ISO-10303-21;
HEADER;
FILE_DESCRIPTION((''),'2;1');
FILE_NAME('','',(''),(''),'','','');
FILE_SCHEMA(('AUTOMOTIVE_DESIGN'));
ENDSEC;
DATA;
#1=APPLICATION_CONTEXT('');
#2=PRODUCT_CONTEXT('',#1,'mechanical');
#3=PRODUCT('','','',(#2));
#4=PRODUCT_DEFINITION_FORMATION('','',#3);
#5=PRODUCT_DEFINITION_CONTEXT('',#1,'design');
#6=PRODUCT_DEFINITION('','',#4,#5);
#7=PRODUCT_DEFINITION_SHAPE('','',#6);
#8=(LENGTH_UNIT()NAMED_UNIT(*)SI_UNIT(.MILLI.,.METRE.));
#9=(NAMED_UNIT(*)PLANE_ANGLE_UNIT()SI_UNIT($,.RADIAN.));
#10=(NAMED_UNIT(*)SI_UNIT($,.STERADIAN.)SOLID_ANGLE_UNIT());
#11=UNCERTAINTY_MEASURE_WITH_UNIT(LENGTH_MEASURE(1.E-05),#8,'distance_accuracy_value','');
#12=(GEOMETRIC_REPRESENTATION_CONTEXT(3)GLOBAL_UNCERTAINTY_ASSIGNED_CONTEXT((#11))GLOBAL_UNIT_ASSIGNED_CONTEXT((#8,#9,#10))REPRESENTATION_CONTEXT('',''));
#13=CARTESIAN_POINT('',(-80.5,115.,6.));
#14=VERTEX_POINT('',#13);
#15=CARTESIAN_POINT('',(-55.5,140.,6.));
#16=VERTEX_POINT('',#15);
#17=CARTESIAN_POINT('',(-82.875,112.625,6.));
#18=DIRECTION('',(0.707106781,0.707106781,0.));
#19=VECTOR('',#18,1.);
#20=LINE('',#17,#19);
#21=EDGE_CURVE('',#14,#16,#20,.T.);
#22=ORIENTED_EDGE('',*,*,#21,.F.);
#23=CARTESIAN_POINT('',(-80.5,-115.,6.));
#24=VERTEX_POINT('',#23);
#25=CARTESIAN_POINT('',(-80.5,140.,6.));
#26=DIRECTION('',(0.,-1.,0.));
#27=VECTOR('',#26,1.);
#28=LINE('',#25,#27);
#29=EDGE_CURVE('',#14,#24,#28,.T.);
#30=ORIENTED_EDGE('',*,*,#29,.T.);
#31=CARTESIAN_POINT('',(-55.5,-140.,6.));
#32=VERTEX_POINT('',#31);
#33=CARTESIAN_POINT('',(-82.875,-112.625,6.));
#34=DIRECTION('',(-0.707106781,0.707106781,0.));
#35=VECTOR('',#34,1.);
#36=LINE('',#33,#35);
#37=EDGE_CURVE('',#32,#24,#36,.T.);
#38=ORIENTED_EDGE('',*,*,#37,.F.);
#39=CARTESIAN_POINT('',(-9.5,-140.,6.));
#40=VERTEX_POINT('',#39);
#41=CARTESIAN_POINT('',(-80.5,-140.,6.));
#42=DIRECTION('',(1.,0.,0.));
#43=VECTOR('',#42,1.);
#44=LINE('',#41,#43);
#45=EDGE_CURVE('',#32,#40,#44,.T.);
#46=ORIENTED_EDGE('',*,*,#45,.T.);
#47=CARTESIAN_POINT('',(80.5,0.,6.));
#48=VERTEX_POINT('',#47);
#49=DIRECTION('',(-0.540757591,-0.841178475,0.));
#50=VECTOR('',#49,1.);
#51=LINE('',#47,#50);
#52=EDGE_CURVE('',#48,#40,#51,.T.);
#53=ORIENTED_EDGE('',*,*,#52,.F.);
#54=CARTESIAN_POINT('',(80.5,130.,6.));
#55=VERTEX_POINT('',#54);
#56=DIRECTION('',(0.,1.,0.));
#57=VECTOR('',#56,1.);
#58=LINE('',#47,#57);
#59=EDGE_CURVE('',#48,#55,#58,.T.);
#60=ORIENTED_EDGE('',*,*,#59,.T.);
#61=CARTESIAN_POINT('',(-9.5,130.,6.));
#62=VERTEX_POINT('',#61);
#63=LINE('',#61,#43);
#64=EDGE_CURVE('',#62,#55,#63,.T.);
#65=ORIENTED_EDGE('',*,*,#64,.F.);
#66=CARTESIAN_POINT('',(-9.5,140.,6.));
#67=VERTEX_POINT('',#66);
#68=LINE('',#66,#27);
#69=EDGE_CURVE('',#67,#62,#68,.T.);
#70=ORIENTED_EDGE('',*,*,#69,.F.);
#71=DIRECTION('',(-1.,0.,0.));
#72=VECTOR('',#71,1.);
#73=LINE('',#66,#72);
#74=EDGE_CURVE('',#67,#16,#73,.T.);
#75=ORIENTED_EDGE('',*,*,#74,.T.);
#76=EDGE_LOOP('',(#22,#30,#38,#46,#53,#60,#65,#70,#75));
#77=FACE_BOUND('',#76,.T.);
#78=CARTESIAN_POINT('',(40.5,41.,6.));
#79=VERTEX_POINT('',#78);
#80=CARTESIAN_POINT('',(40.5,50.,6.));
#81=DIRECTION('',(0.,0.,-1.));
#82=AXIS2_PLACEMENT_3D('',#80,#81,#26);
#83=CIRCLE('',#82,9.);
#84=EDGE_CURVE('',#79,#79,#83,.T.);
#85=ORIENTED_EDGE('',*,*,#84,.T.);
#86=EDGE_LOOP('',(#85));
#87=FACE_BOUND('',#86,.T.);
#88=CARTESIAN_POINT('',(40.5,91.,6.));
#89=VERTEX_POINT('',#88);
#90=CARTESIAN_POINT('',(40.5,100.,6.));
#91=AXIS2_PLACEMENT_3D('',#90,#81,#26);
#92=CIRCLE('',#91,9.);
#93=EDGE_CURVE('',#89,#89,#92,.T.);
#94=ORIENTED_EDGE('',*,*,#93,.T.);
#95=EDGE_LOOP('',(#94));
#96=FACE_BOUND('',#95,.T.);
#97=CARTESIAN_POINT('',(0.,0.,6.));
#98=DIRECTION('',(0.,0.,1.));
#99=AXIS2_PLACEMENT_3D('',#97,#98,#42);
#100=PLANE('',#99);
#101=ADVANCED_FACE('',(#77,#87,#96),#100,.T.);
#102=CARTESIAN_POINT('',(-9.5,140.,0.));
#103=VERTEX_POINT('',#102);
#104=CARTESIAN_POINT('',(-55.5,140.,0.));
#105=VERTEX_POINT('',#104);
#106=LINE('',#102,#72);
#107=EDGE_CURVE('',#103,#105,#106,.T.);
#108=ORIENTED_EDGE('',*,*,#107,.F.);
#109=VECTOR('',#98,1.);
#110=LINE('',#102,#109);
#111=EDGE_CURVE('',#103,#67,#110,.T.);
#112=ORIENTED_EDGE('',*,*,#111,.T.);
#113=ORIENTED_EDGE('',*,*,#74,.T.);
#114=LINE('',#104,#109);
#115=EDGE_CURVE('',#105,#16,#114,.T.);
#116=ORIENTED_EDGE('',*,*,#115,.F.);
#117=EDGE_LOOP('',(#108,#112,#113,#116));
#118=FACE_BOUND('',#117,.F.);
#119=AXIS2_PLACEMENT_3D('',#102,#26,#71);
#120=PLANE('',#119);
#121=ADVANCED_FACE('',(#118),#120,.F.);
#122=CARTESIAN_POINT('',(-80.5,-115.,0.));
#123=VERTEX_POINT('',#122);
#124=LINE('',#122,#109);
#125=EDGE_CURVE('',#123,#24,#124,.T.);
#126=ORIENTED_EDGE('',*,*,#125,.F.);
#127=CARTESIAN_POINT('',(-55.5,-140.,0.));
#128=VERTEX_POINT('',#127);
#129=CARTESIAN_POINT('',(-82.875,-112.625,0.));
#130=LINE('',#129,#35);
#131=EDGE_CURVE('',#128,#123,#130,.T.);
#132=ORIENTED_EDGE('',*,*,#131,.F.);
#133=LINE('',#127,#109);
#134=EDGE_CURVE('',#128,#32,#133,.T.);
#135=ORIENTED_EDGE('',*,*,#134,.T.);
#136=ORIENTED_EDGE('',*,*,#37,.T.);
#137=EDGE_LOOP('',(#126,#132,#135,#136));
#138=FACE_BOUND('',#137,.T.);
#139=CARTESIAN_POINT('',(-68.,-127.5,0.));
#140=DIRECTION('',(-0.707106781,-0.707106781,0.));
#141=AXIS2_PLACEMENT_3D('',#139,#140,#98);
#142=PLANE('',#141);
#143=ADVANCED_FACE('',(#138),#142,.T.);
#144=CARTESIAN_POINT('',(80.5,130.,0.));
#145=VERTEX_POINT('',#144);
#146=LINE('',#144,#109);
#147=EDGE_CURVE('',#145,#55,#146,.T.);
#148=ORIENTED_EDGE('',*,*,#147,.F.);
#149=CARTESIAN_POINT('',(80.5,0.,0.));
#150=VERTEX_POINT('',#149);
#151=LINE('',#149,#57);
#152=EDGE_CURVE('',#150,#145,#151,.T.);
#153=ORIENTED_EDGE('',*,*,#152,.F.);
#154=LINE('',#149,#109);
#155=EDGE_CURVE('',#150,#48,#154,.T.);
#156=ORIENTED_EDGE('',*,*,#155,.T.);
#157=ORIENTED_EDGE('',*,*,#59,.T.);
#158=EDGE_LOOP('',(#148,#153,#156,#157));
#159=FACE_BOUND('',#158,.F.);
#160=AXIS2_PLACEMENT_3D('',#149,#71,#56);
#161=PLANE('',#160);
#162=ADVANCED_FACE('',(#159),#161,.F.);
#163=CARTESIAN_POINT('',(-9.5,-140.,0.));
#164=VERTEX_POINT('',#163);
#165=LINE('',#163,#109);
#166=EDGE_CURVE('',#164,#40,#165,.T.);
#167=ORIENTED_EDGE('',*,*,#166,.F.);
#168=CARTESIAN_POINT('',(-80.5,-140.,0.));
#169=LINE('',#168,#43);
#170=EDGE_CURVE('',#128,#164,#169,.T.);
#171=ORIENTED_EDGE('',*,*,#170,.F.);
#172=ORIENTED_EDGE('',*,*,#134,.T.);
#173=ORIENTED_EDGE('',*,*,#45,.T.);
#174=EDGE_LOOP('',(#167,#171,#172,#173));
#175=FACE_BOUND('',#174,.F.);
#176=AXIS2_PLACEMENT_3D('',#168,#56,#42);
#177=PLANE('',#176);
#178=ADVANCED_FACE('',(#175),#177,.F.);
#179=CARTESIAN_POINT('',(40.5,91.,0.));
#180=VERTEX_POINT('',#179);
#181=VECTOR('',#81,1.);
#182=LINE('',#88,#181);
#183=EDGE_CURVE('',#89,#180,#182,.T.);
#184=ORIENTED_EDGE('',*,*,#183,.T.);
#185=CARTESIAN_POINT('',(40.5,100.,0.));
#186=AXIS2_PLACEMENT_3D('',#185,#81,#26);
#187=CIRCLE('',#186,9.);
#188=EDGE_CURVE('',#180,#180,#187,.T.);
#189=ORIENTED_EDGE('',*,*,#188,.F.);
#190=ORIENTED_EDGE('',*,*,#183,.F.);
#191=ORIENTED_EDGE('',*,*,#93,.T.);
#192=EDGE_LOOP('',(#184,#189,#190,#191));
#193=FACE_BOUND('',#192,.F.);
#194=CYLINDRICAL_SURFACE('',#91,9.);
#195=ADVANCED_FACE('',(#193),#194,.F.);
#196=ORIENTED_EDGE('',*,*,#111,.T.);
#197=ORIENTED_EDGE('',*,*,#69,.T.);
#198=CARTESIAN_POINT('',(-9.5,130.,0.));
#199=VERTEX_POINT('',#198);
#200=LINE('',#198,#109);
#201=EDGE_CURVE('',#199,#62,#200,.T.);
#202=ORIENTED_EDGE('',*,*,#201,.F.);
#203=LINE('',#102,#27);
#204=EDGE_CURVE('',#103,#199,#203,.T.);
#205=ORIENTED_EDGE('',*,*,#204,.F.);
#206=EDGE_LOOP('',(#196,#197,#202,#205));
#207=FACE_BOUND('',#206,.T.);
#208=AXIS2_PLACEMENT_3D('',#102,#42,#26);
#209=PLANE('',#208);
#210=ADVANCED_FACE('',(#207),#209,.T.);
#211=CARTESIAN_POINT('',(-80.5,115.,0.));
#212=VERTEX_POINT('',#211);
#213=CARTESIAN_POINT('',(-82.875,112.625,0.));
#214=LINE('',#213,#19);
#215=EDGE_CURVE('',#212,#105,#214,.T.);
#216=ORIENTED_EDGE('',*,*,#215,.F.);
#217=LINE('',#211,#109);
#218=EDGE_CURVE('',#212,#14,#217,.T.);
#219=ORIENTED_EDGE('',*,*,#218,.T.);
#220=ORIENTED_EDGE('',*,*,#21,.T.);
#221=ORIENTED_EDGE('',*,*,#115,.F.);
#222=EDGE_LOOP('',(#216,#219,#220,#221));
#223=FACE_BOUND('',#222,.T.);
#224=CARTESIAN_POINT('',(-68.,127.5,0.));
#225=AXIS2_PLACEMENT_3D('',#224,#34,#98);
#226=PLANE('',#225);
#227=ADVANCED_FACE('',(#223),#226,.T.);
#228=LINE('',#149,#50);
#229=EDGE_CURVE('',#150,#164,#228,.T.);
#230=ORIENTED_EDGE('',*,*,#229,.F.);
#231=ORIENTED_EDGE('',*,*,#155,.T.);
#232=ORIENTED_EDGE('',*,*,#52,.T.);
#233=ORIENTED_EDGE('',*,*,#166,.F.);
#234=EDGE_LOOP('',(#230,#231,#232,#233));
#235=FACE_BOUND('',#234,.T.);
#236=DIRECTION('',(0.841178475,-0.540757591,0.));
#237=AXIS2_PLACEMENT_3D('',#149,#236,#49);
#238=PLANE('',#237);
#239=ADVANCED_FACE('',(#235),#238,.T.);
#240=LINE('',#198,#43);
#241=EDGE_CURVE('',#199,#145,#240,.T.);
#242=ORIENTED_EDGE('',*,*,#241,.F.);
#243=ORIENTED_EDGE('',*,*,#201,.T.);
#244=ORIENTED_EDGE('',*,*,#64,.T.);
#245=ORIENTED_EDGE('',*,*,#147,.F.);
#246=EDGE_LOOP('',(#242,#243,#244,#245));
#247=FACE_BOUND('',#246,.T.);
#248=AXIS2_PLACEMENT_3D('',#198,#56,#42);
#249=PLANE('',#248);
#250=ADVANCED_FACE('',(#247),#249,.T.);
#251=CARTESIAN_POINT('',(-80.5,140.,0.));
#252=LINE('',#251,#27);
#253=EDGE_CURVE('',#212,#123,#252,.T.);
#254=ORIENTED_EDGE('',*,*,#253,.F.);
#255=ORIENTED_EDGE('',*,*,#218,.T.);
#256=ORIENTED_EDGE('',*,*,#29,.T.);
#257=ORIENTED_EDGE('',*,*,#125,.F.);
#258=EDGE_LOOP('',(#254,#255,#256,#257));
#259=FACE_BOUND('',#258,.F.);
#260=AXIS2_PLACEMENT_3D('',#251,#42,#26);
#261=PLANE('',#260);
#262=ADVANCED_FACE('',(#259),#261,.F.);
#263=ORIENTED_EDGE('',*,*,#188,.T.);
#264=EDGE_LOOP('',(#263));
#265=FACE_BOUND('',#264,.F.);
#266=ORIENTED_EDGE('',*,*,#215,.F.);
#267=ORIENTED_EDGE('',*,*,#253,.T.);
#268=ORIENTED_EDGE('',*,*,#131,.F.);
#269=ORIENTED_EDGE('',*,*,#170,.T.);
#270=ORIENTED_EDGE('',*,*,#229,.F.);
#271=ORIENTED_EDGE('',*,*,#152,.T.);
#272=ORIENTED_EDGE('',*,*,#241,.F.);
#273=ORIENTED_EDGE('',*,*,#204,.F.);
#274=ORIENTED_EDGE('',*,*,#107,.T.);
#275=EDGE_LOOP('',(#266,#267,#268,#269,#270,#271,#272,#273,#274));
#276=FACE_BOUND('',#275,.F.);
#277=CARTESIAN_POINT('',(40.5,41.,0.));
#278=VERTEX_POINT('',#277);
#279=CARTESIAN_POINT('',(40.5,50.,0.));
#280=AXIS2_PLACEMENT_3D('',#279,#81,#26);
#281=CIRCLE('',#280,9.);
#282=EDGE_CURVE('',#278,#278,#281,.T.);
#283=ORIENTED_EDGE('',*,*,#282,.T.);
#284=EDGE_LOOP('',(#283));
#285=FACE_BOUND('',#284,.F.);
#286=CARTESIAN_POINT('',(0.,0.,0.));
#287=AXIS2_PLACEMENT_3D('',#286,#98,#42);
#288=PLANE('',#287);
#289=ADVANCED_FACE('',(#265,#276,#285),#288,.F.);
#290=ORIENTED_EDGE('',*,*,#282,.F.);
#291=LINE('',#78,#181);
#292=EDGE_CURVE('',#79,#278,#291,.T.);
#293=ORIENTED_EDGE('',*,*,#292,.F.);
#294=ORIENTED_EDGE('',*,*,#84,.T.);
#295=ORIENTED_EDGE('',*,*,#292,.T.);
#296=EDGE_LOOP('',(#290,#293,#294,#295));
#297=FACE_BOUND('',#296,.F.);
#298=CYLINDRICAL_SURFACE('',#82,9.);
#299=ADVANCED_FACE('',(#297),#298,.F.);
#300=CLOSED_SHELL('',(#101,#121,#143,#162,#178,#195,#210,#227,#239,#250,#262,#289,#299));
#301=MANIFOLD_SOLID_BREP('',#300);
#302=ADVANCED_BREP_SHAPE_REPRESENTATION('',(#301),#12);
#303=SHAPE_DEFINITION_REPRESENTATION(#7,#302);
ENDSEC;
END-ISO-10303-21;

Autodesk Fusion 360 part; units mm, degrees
sketch "スケッチ1" plane through (0, 0, 0) normal (0, 0, 1) x (1, 0, 0)
  line L0 (-9.5, 140) -> (-80.5, 140)
  line L1 (-80.5, 140) -> (-80.5, -140)
  line L2 (-80.5, -140) -> (-9.5, -140)
  line L3 (80.5, 0) -> (80.5, 130)
  line L4 (74.75, 130) -> (-80.5, -140) construction
  line L5 (-80.5, 140) -> (38.0073, -66.0997) construction
  line L6 (-9.5, 140) -> (-9.5, 130)
  line L7 (-9.5, 130) -> (80.5, 130)
  line L8 (-80.5, -140) -> (-9.5, -140) construction
  line L9 (80.5, 0) -> (-9.5, -140)
  dimension "d2" = 280
  dimension "d5" = 71
extrude "押し出し1" add sketch "スケッチ1" along normal blind 6
chamfer "面取り1" distance 25 angle 45 2 edges at (-80.5, -140, 3) (-80.5, 140, 3)
sketch "スケッチ2" plane through (0, 0, 6) normal (0, 0, 1) x (-1, 0, 0)
  line L0 (55.5, -140) -> (80.5, -115)
  line L1 (80.5, -115) -> (80.5, 115)
  line L2 (80.5, 115) -> (55.5, 140)
  line L3 (55.5, 140) -> (9.5, 140)
  line L4 (9.5, 140) -> (-80.5, 0)
  line L5 (-80.5, 0) -> (-80.5, -130)
  line L6 (-80.5, -130) -> (9.5, -130)
  line L7 (9.5, -130) -> (9.5, -140)
  line L8 (9.5, -140) -> (55.5, -140)
  line L9 (-80.5, -130) -> (-40.5, -130) construction
  line L10 (-40.5, -130) -> (-40.5, -100) construction
  line L11 (-40.5, -100) -> (-80.5, -100) construction
  line L12 (-80.5, -100) -> (-80.5, -130) construction
  line L13 (-40.5, -100) -> (-40.5, -50) construction
  point P0 (-40.5, -100)
  point P1 (-40.5, -50)
  dimension "d10" = 40
  dimension "d11" = 30
  dimension "d12" = 50
hole "穴1" at (40.5, 100, 6) at (40.5, 50, 6) direction (0, 0, -1) diameter 18 end through all
equation "d5 = 25 mm + 46 mm"
